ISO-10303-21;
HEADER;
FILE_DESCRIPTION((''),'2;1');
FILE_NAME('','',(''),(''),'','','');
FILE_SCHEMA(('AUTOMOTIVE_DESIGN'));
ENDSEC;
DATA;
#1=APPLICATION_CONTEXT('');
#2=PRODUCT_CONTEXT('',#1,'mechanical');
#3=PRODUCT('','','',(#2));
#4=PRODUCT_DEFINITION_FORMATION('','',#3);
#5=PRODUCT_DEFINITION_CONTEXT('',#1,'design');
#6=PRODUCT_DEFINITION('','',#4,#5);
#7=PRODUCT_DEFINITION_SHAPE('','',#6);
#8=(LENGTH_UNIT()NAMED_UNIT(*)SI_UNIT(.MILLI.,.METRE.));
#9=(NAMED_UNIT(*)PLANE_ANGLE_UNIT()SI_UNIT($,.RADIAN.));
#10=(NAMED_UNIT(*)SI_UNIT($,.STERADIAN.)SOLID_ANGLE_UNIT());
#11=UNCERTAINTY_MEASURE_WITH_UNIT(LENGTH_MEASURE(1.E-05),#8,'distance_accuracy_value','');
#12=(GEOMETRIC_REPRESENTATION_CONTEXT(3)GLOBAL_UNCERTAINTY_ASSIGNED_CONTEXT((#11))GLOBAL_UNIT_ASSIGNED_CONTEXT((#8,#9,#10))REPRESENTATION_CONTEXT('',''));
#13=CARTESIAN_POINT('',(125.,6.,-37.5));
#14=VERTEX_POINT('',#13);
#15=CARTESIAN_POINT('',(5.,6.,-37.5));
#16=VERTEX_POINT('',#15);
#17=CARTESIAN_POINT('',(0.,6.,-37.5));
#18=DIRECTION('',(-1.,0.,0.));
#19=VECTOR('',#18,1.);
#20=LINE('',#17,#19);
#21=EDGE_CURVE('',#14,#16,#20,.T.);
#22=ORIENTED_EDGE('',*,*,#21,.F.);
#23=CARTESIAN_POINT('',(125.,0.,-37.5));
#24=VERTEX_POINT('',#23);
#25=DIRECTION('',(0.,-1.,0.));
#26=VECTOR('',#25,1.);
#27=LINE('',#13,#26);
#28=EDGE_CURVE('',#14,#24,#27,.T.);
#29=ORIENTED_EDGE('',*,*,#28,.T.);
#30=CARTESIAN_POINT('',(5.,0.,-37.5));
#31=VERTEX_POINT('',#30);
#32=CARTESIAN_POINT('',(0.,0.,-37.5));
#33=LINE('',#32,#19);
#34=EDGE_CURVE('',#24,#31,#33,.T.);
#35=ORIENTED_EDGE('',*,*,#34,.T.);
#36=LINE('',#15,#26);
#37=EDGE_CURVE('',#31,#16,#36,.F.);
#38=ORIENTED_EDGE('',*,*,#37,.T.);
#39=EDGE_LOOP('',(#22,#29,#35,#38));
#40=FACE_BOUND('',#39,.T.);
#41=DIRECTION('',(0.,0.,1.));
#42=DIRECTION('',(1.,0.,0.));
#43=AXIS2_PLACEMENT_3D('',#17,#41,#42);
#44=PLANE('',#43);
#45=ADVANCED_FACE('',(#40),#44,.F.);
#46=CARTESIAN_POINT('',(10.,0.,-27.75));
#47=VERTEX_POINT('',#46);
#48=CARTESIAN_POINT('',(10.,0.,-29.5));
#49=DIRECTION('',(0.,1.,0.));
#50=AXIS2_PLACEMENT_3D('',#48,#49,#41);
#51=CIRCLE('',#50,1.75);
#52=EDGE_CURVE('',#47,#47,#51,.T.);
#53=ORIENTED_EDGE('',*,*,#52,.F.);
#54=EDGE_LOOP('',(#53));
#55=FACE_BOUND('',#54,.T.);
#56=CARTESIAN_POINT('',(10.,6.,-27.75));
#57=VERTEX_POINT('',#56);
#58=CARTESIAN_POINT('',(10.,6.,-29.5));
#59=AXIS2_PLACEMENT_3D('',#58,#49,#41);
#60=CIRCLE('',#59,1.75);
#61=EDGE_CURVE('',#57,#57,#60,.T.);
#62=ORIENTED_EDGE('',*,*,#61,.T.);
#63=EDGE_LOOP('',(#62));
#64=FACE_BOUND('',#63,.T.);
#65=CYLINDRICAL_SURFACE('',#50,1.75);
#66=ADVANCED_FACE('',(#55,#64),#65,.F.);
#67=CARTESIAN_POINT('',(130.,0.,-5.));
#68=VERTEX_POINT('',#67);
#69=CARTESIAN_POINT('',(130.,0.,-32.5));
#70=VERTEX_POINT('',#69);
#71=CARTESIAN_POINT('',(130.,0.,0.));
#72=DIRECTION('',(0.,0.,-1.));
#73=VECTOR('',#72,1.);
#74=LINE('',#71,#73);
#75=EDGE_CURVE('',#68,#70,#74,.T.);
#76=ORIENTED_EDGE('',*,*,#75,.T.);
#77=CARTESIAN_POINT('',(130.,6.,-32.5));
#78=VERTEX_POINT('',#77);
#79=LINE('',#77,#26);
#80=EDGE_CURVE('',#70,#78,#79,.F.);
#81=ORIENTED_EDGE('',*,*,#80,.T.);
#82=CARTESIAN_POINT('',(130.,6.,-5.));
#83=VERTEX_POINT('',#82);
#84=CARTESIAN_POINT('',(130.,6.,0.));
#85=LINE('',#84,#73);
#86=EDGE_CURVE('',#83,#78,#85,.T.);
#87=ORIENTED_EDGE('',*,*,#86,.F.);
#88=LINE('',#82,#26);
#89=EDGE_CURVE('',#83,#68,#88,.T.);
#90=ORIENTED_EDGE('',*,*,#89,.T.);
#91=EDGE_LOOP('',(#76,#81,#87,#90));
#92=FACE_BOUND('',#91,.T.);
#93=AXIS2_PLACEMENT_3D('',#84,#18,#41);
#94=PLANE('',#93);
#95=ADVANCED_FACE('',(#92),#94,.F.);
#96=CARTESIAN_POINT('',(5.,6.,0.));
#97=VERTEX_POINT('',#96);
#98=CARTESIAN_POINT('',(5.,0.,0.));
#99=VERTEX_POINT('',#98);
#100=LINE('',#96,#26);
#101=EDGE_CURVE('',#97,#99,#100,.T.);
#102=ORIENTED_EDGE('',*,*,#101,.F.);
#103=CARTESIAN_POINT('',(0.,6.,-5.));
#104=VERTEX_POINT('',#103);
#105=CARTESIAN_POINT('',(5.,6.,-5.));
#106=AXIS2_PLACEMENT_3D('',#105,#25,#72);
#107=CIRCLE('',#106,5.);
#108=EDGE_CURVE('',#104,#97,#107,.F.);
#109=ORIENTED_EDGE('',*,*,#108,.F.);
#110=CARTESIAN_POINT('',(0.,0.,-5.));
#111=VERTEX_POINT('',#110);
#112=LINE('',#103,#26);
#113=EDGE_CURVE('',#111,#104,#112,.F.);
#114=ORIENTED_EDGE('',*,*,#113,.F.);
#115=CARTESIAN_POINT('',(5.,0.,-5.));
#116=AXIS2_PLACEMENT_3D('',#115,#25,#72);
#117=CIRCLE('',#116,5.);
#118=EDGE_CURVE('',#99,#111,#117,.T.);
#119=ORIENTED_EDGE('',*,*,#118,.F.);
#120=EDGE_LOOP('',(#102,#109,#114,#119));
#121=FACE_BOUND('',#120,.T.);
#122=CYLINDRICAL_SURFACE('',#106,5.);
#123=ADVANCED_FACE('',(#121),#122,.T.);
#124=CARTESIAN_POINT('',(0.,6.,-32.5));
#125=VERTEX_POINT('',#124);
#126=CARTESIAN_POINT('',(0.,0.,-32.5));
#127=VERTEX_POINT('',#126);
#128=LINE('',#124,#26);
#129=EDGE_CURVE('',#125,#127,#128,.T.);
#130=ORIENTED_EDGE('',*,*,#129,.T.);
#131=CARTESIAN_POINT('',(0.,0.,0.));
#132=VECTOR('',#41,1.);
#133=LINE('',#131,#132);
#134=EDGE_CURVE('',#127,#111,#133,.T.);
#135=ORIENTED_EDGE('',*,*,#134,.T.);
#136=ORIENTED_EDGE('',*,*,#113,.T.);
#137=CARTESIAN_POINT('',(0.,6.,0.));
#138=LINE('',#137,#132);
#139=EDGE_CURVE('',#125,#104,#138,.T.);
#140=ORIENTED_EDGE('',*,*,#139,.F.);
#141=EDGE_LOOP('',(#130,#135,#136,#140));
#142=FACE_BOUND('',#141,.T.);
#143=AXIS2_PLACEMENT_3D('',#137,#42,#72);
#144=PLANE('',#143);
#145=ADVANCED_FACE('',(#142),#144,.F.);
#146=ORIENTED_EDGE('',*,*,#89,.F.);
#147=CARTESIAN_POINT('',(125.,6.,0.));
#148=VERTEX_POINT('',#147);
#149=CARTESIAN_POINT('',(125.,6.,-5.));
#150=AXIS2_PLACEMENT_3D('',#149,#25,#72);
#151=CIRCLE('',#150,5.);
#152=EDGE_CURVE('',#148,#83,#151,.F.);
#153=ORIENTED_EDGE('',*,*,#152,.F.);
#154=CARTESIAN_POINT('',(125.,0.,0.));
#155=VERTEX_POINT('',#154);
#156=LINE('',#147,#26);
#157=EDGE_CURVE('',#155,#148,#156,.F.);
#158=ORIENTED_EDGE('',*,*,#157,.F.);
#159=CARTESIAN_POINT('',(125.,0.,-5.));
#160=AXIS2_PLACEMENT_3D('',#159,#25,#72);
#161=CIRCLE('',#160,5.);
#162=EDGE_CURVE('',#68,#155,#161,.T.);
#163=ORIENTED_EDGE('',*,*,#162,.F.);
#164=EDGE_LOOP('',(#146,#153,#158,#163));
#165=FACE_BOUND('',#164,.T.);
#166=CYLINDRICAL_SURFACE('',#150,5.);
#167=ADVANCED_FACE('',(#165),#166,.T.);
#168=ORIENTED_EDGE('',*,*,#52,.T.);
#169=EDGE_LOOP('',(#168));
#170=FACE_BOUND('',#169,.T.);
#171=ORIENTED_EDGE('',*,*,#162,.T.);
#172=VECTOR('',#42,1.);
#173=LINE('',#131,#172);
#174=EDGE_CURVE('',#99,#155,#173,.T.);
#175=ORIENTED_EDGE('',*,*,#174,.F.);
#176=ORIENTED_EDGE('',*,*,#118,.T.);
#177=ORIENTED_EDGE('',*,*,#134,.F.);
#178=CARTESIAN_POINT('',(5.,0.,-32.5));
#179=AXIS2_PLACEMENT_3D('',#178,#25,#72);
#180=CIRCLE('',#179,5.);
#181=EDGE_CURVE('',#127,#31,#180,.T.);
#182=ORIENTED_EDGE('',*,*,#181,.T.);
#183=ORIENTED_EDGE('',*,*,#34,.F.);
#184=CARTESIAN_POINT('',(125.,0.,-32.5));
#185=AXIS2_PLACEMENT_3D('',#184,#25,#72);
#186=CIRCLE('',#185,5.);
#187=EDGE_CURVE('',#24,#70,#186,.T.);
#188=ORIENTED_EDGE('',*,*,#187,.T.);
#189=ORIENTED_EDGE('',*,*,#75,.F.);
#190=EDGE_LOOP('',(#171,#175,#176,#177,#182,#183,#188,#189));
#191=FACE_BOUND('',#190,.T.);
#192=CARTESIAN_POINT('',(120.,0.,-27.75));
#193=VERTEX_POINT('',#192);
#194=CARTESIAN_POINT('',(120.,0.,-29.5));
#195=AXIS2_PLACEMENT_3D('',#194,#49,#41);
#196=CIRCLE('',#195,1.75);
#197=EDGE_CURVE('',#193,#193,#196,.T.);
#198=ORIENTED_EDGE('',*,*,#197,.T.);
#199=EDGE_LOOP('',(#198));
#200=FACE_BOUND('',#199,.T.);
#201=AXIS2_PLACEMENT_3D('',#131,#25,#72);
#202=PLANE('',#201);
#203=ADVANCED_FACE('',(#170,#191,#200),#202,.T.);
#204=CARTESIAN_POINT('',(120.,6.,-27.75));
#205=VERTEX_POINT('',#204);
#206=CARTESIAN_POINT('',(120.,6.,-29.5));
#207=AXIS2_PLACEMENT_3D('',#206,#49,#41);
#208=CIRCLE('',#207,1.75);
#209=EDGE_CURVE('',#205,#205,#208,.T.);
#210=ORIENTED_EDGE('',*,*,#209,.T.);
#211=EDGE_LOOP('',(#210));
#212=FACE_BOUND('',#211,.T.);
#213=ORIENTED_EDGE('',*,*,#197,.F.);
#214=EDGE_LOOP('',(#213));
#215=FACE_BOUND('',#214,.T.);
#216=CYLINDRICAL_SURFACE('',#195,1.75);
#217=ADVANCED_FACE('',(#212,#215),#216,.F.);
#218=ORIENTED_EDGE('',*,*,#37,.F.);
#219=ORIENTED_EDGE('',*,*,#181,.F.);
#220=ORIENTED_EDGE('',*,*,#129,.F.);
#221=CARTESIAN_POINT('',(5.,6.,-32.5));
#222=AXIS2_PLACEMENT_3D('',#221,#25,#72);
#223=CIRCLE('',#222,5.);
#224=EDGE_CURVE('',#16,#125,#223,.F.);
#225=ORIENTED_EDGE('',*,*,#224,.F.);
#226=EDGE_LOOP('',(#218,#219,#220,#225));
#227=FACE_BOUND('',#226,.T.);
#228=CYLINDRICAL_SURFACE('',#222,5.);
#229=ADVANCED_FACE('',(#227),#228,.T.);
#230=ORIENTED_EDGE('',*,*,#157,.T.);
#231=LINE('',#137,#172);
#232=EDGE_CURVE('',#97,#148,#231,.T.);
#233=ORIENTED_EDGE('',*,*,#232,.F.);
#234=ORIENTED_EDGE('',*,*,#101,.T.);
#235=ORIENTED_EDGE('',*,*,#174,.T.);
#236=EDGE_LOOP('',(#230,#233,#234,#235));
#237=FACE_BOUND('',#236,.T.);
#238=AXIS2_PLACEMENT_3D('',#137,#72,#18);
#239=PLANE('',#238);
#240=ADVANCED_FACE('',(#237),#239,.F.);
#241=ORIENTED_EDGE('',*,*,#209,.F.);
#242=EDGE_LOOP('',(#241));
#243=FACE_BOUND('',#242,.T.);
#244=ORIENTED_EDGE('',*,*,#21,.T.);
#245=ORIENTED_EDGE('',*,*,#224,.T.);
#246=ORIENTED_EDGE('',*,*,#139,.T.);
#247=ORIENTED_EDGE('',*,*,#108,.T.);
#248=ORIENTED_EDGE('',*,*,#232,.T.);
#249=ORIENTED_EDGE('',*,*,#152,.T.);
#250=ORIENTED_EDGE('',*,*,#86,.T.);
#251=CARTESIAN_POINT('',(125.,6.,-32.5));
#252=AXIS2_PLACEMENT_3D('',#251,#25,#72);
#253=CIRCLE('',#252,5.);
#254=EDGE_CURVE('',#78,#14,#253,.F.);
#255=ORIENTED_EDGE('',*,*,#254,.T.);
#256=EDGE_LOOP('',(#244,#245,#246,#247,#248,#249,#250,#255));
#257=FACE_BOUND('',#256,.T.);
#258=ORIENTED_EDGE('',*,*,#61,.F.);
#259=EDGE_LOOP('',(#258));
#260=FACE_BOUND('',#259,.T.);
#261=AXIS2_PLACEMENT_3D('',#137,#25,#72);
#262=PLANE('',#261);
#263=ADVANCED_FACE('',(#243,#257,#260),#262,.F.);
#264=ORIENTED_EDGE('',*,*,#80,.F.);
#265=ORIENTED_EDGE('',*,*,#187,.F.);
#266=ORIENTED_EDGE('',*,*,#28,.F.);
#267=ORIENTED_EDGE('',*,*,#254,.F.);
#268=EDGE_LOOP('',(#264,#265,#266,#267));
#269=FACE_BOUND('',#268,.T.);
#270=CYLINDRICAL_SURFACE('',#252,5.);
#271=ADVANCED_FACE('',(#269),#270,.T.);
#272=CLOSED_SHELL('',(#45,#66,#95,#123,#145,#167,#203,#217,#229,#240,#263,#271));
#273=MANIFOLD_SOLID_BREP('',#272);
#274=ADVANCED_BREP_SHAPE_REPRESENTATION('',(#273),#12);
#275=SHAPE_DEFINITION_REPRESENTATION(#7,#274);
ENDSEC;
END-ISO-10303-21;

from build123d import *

# Parameters (mm, degrees)
SKETCH1_W           = 130
SKETCH1_H           = 37.5
BOSS_EXTRUDE1_DEPTH = 6
FILLET1_R           = 5
SKETCH2_R           = 1.75
CUT_EXTRUDE1_DEPTH  = 6


with BuildPart() as part:
    # Sketch1 → Boss-Extrude1 (new body)
    with BuildSketch(Plane(origin=(0, 0, 0), x_dir=(1, 0, 0), z_dir=(0, 1, 0))):
        with Locations((65, 18.75)):
            Rectangle(SKETCH1_W, SKETCH1_H)
    extrude(amount=BOSS_EXTRUDE1_DEPTH)

    # Fillet1
    fillet1_edges = [part.edges().sort_by_distance(p)[0] for p in [
        (0, 3, -37.5),
        (130, 3, -37.5),
        (130, 3, 0),
        (0, 3, 0),
    ]]
    fillet(fillet1_edges, radius=FILLET1_R)

    # Sketch2 → Cut-Extrude1 (cut)
    with BuildSketch(Plane(origin=(0, 6, 0), x_dir=(1, 0, 0), z_dir=(0, 1, 0))):
        with Locations((10, 29.5)):
            Circle(SKETCH2_R)
        with Locations((120, 29.5)):
            Circle(SKETCH2_R)
    extrude(amount=-CUT_EXTRUDE1_DEPTH, mode=Mode.SUBTRACT)


solid = part.part
